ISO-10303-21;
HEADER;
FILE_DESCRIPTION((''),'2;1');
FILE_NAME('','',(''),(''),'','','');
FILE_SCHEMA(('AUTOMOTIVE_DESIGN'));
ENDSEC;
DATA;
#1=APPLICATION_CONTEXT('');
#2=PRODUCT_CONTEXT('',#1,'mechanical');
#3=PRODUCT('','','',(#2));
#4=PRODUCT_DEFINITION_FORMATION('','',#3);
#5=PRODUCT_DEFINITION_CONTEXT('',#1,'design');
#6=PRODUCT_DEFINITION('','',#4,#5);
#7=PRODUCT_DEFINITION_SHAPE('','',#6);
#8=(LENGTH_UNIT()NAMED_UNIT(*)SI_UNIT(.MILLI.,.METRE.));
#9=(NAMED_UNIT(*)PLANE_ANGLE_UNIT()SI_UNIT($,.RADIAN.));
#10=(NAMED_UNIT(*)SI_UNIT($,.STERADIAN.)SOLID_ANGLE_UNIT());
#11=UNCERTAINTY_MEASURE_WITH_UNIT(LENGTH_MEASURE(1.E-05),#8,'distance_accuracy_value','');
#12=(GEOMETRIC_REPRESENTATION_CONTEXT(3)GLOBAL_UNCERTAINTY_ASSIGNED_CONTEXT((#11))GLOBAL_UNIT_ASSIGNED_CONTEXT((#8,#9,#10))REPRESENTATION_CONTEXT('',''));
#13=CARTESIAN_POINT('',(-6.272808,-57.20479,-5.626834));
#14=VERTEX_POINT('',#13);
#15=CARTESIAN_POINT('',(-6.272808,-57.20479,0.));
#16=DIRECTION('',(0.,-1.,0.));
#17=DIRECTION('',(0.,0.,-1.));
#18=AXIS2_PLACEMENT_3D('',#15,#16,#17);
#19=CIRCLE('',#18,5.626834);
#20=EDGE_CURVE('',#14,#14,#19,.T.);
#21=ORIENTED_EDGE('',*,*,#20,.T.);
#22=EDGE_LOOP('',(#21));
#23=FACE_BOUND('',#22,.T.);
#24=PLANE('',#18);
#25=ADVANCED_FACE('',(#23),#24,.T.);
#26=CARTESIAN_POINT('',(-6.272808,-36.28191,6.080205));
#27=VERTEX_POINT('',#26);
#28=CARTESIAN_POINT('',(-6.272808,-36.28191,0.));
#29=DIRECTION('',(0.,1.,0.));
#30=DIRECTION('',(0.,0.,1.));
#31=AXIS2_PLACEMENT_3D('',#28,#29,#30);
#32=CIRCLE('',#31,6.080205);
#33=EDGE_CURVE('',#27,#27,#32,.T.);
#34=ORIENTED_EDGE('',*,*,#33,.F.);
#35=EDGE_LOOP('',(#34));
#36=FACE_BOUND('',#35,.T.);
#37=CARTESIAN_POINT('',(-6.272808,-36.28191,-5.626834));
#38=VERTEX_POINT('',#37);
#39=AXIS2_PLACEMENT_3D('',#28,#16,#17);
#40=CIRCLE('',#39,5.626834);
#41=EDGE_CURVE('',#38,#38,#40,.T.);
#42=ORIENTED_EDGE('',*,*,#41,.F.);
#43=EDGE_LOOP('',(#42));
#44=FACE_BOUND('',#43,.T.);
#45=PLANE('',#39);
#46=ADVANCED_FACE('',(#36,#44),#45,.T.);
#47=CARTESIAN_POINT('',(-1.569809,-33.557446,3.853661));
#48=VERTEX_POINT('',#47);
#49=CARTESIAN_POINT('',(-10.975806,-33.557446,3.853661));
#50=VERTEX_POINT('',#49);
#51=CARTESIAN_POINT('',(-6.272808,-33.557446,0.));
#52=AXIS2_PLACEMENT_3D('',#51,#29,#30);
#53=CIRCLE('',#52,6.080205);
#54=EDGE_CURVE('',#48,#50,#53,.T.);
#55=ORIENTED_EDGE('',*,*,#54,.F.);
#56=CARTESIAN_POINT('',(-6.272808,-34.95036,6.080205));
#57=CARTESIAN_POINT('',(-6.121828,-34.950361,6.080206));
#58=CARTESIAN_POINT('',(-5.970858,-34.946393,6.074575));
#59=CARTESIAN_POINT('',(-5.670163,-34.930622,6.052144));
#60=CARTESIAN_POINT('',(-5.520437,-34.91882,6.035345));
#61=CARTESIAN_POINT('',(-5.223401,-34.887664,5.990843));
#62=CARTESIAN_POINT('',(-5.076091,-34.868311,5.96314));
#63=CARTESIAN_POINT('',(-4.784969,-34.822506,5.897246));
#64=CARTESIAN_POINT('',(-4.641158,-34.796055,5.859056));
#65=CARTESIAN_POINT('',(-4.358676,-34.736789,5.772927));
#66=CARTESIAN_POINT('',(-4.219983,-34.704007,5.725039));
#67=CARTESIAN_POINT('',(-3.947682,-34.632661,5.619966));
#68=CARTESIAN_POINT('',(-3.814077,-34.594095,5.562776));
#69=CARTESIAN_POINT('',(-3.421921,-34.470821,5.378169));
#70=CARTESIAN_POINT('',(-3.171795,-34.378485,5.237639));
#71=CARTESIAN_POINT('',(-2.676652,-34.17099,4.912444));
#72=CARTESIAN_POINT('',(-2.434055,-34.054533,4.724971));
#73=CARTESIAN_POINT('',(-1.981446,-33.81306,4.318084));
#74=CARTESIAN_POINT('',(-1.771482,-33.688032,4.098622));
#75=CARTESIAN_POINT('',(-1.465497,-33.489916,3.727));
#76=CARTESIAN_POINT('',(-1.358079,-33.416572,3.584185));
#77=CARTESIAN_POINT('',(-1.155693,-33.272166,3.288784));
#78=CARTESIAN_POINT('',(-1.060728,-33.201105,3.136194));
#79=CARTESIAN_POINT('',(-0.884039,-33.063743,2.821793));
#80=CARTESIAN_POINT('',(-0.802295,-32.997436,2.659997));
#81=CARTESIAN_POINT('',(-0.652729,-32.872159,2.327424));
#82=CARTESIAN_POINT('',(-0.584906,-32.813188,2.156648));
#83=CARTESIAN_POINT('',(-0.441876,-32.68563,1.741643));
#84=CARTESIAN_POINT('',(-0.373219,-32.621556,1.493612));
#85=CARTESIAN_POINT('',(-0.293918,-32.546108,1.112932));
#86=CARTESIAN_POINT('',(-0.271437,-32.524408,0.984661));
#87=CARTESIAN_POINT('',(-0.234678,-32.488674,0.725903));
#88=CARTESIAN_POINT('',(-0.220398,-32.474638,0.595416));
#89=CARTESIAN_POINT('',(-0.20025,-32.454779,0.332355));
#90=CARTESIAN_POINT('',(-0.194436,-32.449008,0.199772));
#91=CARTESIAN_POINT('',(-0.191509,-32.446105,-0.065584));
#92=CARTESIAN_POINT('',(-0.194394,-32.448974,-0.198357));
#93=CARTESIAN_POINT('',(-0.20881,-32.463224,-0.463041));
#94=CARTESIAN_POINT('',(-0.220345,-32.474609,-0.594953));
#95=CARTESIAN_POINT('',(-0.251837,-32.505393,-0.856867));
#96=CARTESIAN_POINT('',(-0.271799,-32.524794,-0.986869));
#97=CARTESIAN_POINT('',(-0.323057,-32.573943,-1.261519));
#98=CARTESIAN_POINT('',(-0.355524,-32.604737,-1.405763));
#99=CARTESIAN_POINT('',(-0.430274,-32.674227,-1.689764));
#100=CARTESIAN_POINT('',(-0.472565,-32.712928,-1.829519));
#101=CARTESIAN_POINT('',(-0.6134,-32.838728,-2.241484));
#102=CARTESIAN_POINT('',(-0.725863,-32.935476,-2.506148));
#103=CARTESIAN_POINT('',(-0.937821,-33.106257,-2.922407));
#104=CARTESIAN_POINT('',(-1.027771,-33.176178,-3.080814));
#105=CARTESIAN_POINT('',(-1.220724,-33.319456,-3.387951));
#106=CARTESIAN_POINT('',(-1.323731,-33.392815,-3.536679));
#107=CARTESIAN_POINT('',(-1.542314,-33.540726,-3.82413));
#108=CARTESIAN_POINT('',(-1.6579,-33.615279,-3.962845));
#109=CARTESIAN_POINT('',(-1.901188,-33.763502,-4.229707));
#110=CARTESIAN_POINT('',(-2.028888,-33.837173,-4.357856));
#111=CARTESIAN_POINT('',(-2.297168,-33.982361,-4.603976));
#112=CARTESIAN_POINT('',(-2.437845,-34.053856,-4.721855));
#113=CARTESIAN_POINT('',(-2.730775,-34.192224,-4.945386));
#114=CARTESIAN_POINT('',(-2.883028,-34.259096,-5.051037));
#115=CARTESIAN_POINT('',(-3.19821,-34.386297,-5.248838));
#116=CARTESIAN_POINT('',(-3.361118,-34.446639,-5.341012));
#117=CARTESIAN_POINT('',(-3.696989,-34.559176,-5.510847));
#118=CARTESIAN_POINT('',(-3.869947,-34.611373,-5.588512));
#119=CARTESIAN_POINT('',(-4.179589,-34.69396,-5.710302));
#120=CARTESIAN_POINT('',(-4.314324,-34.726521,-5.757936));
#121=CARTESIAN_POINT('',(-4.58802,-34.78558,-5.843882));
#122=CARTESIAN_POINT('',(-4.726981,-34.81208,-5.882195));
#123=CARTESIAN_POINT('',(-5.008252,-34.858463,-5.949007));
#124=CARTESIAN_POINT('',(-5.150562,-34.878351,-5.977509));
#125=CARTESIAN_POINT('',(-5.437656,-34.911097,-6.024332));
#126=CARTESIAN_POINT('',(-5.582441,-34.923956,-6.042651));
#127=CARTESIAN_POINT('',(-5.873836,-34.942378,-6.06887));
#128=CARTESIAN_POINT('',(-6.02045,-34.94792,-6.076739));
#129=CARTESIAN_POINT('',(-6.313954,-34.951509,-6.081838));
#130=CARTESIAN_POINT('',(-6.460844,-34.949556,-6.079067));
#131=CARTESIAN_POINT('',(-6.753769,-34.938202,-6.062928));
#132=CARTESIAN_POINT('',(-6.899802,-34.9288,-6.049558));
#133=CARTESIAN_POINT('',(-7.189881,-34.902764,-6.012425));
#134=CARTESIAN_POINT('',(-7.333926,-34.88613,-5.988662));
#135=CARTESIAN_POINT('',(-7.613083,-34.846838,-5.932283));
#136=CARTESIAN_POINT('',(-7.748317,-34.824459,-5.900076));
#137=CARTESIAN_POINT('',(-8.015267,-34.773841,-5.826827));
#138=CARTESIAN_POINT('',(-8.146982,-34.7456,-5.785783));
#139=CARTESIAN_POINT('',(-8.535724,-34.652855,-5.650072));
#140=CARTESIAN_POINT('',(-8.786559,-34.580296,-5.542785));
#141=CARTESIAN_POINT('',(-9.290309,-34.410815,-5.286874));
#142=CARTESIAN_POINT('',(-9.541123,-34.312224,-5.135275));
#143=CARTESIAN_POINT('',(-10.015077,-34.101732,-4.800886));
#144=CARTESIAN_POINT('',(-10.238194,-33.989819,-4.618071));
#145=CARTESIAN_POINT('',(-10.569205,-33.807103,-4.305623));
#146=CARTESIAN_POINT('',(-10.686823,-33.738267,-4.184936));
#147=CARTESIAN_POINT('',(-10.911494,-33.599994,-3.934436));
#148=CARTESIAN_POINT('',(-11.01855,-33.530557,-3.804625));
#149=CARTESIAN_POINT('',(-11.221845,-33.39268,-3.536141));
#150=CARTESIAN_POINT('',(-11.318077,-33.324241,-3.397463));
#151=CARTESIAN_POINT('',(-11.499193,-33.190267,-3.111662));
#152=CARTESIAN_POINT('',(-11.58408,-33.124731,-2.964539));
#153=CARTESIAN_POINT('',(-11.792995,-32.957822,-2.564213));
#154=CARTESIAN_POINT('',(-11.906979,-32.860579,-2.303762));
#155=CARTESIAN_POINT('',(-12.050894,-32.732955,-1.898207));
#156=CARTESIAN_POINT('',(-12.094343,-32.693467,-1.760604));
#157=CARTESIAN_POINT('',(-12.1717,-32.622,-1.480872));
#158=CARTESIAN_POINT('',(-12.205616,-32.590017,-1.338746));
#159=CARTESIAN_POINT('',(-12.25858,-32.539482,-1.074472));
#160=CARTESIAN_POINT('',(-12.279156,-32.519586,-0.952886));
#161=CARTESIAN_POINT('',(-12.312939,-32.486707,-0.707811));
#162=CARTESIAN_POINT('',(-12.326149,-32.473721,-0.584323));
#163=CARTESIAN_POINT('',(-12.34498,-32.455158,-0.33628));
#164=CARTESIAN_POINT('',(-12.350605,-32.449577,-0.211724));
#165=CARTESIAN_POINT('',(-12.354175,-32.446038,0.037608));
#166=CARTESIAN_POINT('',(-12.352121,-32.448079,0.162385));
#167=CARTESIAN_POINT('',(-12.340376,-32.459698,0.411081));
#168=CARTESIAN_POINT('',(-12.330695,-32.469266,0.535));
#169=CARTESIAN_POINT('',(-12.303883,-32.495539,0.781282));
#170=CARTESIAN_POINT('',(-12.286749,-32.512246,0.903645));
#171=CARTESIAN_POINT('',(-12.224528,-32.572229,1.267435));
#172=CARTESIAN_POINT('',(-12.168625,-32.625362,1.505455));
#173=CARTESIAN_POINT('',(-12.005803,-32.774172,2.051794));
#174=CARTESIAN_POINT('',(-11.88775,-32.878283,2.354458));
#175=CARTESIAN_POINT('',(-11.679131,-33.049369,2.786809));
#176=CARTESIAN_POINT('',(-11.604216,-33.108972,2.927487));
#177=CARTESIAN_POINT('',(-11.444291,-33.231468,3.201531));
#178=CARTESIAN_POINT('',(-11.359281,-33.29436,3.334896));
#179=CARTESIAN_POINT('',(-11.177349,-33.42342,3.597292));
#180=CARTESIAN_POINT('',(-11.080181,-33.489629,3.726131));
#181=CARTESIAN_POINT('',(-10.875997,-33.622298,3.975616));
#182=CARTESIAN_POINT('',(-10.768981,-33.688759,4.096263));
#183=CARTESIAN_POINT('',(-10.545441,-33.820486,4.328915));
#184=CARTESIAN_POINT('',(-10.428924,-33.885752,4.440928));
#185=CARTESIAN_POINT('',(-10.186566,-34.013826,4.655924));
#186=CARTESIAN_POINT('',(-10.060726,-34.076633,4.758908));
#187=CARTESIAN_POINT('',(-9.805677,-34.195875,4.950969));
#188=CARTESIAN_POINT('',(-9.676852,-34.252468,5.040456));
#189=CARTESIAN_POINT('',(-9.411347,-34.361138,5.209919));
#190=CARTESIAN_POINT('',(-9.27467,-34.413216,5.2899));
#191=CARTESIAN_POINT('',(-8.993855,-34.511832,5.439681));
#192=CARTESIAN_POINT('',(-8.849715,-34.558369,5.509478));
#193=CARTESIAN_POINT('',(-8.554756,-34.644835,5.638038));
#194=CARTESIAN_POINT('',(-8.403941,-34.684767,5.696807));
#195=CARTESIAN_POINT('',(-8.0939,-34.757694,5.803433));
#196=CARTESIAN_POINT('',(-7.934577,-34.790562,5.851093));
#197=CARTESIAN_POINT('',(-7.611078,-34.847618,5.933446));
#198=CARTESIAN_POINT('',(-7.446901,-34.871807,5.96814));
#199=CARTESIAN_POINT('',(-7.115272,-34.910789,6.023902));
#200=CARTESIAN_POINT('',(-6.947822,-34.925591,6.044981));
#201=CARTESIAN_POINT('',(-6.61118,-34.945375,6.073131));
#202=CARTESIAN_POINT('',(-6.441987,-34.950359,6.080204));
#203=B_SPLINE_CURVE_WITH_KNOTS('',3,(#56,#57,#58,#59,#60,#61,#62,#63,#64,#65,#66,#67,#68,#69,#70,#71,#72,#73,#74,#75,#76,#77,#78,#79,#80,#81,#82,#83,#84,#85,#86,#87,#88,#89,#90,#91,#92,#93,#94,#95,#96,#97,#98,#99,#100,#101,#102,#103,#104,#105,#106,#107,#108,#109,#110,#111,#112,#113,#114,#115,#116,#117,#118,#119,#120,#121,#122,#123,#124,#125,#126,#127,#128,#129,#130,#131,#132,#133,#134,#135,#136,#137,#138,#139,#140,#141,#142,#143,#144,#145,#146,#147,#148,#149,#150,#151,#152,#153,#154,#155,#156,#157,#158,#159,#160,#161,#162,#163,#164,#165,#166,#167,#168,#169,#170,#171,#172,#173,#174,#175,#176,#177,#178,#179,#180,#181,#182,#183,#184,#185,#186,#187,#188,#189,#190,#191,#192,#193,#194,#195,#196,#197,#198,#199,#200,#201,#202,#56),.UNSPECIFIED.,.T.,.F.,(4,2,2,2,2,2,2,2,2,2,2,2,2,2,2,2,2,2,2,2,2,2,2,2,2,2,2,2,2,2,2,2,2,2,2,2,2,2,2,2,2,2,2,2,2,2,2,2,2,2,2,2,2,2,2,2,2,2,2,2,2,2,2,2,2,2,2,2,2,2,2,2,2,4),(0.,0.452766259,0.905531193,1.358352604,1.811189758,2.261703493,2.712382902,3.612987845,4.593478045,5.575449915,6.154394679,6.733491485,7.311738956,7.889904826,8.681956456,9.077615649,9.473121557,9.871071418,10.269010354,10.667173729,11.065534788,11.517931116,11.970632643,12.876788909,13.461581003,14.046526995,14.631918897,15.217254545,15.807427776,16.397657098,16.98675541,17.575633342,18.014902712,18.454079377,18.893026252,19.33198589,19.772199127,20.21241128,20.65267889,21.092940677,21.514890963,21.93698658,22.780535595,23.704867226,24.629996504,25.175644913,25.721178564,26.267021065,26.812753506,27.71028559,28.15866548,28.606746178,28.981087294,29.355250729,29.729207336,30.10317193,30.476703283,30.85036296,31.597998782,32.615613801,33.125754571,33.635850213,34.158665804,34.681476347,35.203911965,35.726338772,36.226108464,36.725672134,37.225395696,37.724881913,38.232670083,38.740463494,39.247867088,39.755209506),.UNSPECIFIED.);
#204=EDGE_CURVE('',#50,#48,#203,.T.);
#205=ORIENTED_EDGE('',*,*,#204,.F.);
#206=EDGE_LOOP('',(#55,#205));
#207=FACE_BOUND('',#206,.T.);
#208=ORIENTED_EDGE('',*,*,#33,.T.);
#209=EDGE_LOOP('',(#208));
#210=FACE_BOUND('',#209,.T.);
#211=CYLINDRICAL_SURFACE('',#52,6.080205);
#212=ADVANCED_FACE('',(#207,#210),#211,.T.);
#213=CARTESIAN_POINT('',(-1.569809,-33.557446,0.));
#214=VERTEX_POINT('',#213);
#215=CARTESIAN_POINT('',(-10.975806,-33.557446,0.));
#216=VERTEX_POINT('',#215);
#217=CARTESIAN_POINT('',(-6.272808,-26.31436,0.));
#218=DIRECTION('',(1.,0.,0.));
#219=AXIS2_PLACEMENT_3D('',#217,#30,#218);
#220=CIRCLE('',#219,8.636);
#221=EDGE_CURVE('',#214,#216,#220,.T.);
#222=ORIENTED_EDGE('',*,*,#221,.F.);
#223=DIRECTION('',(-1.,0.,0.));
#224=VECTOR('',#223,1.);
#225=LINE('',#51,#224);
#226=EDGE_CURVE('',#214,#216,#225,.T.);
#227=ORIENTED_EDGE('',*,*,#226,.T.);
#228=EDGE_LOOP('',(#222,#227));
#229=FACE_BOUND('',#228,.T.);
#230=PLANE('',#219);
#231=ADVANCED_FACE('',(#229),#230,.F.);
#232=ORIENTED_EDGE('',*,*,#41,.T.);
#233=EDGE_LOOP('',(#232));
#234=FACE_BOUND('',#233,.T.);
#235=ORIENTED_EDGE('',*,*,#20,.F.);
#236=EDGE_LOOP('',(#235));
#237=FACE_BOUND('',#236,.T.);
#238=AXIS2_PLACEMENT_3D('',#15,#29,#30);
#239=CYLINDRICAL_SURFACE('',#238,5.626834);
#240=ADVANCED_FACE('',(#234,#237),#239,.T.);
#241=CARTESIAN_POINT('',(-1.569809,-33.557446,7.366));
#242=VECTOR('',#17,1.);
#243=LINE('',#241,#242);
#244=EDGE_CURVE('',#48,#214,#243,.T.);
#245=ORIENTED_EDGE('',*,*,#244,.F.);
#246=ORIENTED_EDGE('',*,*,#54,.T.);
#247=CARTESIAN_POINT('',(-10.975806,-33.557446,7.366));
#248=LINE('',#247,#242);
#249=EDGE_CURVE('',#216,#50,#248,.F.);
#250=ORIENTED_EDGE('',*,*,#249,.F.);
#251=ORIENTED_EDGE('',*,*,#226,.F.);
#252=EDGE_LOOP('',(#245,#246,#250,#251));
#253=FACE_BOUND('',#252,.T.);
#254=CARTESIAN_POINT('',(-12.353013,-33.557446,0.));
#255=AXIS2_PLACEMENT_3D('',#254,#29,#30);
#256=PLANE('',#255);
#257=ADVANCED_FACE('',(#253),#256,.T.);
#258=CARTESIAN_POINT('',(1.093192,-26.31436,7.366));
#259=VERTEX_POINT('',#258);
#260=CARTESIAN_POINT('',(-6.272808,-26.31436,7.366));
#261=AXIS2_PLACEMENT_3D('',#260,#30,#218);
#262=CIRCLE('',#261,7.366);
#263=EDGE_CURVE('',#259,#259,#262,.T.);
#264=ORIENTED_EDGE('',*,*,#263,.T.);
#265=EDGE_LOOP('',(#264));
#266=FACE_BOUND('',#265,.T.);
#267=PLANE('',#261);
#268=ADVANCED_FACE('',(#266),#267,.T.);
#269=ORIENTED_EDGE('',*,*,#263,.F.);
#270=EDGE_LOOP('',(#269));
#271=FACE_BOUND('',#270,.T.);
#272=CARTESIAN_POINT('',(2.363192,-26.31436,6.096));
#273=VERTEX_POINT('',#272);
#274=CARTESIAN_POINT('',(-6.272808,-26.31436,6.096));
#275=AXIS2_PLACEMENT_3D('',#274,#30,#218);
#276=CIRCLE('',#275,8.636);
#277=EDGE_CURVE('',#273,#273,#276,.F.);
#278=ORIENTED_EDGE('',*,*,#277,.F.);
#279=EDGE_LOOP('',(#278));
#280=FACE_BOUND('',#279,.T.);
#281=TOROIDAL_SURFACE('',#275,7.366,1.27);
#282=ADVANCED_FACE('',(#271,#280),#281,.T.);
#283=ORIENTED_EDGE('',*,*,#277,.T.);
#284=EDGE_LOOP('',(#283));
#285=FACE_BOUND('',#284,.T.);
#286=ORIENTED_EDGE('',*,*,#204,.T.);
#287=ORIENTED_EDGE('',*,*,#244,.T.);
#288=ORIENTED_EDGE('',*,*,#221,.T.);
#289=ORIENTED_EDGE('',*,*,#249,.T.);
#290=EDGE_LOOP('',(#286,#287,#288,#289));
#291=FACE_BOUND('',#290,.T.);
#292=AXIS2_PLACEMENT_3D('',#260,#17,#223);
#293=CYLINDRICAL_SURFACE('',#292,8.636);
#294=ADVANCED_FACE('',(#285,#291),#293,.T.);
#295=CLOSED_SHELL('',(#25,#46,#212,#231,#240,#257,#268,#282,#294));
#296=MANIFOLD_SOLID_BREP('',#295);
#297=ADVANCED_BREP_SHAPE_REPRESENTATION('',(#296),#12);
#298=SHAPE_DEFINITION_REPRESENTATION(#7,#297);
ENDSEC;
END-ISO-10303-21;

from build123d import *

# Parameters (mm, degrees)
SKETCH1_R      = 8.636
EXTRUDE1_DEPTH = 7.366
FILLET1_R      = 1.27
SKETCH2_W      = 6.080205461
SKETCH2_H      = 2.724463649
SKETCH3_R      = 5.626834032
EXTRUDE2_DEPTH = 20.922880412


with BuildPart() as part:
    # Sketch1 → Extrude1 (new body)
    with BuildSketch(Plane.XY):
        with Locations((-6.272807724, -26.314359982)):
            Circle(SKETCH1_R)
    extrude(amount=EXTRUDE1_DEPTH)

    # Fillet1
    fillet1_edges = [part.edges().sort_by_distance(p)[0] for p in [
        (-14.908807724, -26.314359982, 7.366),
    ]]
    fillet(fillet1_edges, radius=FILLET1_R)

    # Sketch2 → Revolve1 (revolve)
    with BuildSketch(Plane.XY, mode=Mode.PRIVATE) as revolve1_sk:
        with Locations((-9.312910455, -34.919678092)):
            Rectangle(SKETCH2_W, SKETCH2_H)
    revolve(revolve1_sk.sketch.rotate(Axis((-6.272807724, -33.557446268, 0), (0, -1, 0)), 270), axis=Axis((-6.272807724, -33.557446268, 0), (0, -1, 0)))

    # Sketch3 → Extrude2 (add)
    with BuildSketch(Plane.XZ.offset(36.281909917)):
        with Locations(Location((-6.272807724, 0, 0), (0, 0, 270))):
            Circle(SKETCH3_R)
    extrude(amount=EXTRUDE2_DEPTH)


solid = part.part
